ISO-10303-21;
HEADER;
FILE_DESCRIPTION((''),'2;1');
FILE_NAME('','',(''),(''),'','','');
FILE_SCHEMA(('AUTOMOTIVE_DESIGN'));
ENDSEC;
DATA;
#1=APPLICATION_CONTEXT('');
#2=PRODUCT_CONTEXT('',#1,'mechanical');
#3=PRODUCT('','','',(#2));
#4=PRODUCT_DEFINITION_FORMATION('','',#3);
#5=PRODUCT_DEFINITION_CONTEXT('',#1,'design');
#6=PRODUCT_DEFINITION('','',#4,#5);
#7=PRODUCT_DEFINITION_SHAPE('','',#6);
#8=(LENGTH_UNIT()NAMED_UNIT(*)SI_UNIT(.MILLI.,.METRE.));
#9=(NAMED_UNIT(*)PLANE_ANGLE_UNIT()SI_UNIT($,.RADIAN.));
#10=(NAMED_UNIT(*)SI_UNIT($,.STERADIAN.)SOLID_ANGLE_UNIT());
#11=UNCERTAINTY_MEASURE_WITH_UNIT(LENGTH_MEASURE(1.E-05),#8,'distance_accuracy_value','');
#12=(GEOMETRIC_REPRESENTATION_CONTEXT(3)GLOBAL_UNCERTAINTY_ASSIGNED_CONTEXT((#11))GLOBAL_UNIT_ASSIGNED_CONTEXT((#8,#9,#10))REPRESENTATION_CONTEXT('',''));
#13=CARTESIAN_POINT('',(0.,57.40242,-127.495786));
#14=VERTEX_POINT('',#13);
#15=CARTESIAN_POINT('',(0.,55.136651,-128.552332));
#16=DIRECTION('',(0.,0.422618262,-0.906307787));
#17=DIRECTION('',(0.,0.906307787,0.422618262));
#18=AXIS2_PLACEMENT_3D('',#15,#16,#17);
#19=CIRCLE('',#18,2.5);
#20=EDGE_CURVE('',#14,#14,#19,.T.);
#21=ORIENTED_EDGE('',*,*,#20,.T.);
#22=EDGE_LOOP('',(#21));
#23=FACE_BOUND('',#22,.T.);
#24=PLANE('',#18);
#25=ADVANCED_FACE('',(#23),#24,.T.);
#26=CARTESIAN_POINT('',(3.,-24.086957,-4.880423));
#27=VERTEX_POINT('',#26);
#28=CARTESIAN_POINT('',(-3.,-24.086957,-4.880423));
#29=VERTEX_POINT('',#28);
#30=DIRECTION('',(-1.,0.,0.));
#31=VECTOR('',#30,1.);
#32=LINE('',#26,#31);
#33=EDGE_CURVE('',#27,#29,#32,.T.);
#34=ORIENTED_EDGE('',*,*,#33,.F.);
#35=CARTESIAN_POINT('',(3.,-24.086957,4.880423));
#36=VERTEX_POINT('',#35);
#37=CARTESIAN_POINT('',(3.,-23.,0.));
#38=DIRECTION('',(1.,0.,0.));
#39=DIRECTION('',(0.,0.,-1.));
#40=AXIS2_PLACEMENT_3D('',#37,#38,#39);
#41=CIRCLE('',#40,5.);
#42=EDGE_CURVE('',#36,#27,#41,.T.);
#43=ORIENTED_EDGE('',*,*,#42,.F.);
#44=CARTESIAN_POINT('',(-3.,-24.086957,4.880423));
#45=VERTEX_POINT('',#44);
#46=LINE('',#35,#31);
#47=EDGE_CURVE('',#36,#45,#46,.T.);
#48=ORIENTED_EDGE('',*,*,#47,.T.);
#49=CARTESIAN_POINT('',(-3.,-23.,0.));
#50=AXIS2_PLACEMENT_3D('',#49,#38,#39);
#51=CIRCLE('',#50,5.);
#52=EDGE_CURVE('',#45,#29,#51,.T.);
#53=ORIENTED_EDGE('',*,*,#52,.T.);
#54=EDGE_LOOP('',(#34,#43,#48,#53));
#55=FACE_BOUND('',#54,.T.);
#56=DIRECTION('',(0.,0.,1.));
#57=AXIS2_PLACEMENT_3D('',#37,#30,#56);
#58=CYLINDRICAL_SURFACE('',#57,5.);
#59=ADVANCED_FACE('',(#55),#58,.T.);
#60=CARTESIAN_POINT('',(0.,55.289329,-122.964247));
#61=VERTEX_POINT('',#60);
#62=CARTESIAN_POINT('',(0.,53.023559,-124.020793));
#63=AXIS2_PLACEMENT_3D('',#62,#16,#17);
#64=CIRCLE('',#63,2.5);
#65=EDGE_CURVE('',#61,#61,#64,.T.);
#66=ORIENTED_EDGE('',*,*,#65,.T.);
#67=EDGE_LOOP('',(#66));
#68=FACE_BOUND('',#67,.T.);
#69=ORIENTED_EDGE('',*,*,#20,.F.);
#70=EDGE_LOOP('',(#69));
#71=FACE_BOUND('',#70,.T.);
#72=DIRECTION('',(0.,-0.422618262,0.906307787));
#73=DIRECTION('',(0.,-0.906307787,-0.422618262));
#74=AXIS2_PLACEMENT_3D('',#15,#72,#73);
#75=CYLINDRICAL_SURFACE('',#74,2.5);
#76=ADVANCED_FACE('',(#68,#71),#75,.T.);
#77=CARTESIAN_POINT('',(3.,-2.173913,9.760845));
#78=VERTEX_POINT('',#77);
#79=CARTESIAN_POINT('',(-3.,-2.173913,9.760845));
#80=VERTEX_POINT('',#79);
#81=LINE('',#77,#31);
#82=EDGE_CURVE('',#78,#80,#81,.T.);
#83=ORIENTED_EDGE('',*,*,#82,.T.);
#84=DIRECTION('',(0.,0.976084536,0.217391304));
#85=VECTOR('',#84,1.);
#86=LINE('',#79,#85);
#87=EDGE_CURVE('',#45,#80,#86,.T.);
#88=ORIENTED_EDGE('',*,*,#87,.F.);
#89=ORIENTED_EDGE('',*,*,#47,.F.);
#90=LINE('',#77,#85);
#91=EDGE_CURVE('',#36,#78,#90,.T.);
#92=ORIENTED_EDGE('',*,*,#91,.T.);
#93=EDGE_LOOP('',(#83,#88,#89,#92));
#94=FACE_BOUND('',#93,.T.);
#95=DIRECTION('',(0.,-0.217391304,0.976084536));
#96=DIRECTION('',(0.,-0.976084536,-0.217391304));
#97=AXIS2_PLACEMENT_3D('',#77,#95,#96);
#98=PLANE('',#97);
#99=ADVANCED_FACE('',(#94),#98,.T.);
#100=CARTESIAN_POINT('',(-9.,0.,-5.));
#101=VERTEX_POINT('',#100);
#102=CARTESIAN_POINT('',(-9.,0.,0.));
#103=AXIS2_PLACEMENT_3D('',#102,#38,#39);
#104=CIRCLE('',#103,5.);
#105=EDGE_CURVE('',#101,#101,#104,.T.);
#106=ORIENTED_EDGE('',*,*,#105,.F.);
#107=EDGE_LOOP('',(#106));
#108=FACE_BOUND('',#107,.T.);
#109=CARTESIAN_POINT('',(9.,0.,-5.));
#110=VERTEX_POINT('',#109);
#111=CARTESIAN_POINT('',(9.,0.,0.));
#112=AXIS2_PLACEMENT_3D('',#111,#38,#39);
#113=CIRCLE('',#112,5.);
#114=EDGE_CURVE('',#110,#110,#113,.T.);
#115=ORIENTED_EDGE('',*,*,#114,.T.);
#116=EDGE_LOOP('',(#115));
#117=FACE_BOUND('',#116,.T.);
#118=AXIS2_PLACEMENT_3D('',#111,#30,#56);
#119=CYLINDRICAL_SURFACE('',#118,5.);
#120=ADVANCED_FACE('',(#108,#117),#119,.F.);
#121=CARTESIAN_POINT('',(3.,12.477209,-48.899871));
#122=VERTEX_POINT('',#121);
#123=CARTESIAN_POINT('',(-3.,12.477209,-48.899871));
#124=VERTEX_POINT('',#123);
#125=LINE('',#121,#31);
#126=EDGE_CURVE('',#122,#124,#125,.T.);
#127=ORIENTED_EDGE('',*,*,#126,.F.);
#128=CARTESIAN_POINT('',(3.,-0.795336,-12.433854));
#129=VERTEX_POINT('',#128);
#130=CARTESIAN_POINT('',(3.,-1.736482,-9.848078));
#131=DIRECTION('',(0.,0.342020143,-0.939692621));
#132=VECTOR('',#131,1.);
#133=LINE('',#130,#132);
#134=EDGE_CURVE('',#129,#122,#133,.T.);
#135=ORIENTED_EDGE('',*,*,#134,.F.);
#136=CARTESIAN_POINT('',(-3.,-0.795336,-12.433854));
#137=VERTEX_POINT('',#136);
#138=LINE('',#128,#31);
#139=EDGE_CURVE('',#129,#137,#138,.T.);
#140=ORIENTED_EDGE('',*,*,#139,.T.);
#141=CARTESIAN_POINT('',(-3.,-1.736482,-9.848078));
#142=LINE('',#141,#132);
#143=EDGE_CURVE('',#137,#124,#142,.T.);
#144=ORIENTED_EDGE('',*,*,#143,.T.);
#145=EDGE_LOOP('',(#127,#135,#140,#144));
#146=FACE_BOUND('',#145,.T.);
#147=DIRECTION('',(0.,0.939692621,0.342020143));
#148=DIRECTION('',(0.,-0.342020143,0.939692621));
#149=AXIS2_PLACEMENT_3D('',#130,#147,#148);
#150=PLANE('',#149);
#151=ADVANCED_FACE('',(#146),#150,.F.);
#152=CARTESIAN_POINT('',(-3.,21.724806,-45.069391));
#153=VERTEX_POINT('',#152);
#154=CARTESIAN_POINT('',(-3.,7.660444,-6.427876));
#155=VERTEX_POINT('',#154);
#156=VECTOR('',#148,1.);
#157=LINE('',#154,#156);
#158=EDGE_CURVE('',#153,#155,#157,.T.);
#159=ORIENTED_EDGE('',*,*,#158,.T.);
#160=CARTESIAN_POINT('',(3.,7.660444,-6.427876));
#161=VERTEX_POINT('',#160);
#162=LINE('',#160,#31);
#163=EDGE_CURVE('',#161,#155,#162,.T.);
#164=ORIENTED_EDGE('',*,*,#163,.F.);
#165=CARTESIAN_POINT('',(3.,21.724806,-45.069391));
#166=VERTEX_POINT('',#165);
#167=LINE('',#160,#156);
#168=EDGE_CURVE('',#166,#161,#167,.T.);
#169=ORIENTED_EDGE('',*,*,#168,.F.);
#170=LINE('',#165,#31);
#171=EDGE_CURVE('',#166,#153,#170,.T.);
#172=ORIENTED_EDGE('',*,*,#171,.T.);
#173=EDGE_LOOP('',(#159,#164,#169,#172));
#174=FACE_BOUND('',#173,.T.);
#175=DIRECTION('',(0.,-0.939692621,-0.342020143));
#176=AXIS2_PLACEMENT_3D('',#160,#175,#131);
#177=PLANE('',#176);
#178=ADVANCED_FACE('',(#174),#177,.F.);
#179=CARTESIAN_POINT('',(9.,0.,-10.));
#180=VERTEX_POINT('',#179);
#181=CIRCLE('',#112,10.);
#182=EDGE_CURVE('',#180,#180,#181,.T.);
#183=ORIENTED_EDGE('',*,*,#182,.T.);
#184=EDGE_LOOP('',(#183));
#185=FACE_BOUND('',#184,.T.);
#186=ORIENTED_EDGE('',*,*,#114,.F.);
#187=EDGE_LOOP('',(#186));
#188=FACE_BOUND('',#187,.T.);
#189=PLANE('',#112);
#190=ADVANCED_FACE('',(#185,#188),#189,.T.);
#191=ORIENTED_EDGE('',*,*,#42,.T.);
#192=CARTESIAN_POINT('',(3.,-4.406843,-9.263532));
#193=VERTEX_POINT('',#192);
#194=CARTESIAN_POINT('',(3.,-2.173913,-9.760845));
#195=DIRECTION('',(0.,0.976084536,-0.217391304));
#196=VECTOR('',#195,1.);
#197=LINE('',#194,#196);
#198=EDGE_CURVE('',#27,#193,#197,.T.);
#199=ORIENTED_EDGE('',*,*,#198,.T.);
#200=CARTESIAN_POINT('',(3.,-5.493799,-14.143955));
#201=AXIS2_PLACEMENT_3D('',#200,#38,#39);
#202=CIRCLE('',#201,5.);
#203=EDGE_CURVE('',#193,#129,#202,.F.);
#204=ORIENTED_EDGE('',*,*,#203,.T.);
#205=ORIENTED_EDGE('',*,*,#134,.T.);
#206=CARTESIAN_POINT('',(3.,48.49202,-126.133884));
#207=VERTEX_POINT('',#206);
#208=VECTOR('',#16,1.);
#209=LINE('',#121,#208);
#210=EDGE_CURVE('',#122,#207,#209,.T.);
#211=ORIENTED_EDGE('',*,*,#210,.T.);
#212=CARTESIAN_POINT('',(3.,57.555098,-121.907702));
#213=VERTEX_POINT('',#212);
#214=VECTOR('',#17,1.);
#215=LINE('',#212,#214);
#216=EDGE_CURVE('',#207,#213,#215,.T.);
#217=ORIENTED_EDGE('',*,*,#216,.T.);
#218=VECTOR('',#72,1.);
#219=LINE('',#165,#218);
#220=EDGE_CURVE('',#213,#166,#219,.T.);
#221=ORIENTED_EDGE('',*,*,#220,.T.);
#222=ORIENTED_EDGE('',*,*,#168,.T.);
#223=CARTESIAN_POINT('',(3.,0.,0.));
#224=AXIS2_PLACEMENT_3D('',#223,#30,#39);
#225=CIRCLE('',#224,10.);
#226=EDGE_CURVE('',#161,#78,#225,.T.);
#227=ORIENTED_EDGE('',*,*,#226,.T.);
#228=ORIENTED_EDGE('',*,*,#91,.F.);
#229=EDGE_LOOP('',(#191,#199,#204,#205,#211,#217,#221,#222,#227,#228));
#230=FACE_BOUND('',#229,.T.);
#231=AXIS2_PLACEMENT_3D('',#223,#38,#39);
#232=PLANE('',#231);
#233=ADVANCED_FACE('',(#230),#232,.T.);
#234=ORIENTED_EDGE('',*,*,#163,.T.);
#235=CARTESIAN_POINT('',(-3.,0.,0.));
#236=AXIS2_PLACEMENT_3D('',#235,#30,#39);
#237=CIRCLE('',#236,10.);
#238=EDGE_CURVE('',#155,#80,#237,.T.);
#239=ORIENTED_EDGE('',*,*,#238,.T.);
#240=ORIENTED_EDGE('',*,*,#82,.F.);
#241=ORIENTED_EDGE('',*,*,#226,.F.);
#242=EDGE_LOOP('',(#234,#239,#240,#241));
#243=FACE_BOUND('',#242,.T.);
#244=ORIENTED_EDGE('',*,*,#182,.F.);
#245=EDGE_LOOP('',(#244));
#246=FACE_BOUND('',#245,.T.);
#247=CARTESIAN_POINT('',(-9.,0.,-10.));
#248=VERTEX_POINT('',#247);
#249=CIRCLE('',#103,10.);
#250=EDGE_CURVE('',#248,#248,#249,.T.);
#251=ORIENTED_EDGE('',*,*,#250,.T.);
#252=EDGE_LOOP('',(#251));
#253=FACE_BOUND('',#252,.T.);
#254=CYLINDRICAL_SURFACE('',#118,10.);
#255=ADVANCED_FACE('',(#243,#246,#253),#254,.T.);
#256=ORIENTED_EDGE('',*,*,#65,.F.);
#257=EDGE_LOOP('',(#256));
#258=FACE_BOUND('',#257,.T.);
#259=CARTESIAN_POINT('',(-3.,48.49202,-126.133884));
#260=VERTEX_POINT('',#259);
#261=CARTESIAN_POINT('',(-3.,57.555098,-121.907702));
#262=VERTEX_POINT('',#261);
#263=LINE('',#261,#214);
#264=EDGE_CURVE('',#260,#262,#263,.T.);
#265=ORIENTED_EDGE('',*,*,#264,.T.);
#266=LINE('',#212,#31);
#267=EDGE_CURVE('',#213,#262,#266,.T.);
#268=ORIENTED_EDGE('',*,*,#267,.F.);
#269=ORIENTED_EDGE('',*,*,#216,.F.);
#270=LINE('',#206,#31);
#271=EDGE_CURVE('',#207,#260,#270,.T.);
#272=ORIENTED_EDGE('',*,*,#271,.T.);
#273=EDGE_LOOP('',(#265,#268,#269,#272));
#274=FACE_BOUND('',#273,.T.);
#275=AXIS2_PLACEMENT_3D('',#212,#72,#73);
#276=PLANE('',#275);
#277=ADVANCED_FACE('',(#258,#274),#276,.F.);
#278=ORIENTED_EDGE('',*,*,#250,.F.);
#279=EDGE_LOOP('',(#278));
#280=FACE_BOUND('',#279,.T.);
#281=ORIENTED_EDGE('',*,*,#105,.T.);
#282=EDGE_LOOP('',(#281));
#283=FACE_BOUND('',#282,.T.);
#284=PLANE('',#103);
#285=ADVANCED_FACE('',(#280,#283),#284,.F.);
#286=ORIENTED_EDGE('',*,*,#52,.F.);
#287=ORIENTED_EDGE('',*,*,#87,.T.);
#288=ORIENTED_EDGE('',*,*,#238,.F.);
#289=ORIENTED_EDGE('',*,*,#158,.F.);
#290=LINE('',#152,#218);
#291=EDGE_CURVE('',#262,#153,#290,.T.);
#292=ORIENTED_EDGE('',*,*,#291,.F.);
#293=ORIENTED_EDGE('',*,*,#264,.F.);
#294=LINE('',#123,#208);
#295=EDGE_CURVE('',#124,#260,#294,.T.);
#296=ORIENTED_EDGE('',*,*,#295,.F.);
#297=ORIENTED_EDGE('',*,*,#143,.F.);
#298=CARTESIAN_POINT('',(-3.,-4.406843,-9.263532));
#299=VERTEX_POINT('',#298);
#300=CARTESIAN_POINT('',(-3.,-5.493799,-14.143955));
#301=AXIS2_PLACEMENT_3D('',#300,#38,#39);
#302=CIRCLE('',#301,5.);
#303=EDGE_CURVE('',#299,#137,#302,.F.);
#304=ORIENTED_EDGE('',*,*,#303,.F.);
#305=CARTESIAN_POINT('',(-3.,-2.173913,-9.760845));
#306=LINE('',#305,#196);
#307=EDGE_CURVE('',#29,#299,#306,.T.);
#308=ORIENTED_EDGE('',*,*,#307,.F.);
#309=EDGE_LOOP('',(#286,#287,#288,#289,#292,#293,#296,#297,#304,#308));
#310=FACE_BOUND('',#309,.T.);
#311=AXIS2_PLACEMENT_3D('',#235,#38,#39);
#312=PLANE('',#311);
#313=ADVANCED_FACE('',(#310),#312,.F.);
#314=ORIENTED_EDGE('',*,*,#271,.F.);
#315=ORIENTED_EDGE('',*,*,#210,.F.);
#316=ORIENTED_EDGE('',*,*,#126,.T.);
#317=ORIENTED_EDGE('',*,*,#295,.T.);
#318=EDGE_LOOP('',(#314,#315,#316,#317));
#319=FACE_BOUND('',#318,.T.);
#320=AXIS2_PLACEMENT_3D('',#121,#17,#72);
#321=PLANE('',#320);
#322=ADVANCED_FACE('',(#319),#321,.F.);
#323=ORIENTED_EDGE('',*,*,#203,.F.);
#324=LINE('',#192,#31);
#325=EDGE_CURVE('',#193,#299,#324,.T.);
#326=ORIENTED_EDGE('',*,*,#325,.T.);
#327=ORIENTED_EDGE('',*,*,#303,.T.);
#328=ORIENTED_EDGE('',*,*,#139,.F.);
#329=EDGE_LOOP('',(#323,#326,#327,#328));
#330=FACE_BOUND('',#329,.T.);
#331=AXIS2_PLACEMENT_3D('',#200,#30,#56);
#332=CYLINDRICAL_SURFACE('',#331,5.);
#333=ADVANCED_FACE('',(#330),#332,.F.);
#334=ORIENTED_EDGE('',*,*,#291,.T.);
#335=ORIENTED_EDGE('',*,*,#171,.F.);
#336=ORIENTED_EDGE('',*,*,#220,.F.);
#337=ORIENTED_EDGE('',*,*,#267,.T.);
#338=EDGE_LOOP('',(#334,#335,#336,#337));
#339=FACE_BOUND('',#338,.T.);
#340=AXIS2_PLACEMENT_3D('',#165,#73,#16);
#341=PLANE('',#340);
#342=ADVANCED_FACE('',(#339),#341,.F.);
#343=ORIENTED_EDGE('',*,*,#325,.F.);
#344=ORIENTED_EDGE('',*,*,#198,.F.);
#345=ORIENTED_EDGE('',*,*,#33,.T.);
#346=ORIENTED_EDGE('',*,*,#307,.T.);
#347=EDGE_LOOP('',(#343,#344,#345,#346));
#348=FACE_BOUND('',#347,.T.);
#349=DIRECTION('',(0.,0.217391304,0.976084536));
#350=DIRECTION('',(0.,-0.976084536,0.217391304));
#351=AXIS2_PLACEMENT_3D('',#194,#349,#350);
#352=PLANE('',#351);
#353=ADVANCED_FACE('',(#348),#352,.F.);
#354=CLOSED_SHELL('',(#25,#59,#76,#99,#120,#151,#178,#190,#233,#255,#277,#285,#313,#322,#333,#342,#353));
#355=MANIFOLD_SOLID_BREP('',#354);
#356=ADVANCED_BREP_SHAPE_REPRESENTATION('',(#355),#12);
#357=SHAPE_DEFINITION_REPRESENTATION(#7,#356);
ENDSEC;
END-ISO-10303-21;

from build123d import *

# Parameters (mm, degrees)
SKETCH_1_R      = 10
SKETCH_1_R_2    = 5
EXTRUDE_1_DEPTH = 9
EXTRUDE_2_DEPTH = 3
EXTRUDE_3_DEPTH = 3
EXTRUDE_4_DEPTH = 3
SKETCH_5_R      = 2.5
EXTRUDE_5_DEPTH = 5


with BuildPart() as part:
    # 草图1 → 凸台-拉伸1 (new, symmetric)
    with BuildSketch(Plane(origin=(0, 0, 0), x_dir=(0, 0, -1), z_dir=(1, 0, 0))):
        Circle(SKETCH_1_R)
        Circle(SKETCH_1_R_2, mode=Mode.SUBTRACT)
    extrude(amount=EXTRUDE_1_DEPTH, both=True)

    # 草图2 → 凸台-拉伸2 (add, symmetric)
    with BuildSketch(Plane(origin=(0, 0, 0), x_dir=(0, 0, -1), z_dir=(1, 0, 0))):
        with BuildLine():
            Line((9.84807753, -1.736481777), (48.899871085, 12.477208672))
            Line((48.899871085, 12.477208672), (126.133884246, 48.492020479))
            Line((126.133884246, 48.492020479), (121.907701629, 57.555098349))
            Line((121.907701629, 57.555098349), (45.069390993, 21.72480566))
            Line((45.069390993, 21.72480566), (6.427876097, 7.660444431))
            ThreePointArc((6.427876097, 7.660444431), (9.396926208, 3.420201433), (9.84807753, -1.736481777))
        make_face()
    extrude(amount=EXTRUDE_2_DEPTH, both=True)

    # 草图3 → 凸台-拉伸3 (add, symmetric)
    with BuildSketch(Plane(origin=(0, 0, 0), x_dir=(0, 0, -1), z_dir=(1, 0, 0))):
        with BuildLine():
            Line((-9.760845357, -2.173913043), (-4.880422678, -24.086956522))
            ThreePointArc((-4.880422678, -24.086956522), (0, -28), (4.880422678, -24.086956522))
            Line((4.880422678, -24.086956522), (9.760845357, -2.173913043))
            ThreePointArc((9.760845357, -2.173913043), (0, -10), (-9.760845357, -2.173913043))
        make_face()
    extrude(amount=EXTRUDE_3_DEPTH, both=True)

    # 草图4 → 凸台-拉伸4 (add, symmetric)
    with BuildSketch(Plane(origin=(0, 0, 0), x_dir=(0, 0, -1), z_dir=(1, 0, 0))):
        with BuildLine():
            Line((9.760845357, -2.173913043), (9.26353243, -4.406842549))
            ThreePointArc((9.26353243, -4.406842549), (10.386363512, -2.195237961), (12.433854391, -0.795335967))
            Line((12.433854391, -0.795335967), (9.84807753, -1.736481777))
            ThreePointArc((9.84807753, -1.736481777), (9.806900669, -1.955683838), (9.760845357, -2.173913043))
        make_face()
    extrude(amount=EXTRUDE_4_DEPTH, both=True)

    # 草图5 → 凸台-拉伸5 (add)
    with BuildSketch(Plane(origin=(0, 56.973055831, -122.179112512), x_dir=(-1, 0, 0), z_dir=(0, 0.422618261740695, -0.9063077870366522))):
        with Locations(Location((0, -4.357787137, 0), (0, 0, 90))):
            Circle(SKETCH_5_R)
    extrude(amount=EXTRUDE_5_DEPTH)


solid = part.part
